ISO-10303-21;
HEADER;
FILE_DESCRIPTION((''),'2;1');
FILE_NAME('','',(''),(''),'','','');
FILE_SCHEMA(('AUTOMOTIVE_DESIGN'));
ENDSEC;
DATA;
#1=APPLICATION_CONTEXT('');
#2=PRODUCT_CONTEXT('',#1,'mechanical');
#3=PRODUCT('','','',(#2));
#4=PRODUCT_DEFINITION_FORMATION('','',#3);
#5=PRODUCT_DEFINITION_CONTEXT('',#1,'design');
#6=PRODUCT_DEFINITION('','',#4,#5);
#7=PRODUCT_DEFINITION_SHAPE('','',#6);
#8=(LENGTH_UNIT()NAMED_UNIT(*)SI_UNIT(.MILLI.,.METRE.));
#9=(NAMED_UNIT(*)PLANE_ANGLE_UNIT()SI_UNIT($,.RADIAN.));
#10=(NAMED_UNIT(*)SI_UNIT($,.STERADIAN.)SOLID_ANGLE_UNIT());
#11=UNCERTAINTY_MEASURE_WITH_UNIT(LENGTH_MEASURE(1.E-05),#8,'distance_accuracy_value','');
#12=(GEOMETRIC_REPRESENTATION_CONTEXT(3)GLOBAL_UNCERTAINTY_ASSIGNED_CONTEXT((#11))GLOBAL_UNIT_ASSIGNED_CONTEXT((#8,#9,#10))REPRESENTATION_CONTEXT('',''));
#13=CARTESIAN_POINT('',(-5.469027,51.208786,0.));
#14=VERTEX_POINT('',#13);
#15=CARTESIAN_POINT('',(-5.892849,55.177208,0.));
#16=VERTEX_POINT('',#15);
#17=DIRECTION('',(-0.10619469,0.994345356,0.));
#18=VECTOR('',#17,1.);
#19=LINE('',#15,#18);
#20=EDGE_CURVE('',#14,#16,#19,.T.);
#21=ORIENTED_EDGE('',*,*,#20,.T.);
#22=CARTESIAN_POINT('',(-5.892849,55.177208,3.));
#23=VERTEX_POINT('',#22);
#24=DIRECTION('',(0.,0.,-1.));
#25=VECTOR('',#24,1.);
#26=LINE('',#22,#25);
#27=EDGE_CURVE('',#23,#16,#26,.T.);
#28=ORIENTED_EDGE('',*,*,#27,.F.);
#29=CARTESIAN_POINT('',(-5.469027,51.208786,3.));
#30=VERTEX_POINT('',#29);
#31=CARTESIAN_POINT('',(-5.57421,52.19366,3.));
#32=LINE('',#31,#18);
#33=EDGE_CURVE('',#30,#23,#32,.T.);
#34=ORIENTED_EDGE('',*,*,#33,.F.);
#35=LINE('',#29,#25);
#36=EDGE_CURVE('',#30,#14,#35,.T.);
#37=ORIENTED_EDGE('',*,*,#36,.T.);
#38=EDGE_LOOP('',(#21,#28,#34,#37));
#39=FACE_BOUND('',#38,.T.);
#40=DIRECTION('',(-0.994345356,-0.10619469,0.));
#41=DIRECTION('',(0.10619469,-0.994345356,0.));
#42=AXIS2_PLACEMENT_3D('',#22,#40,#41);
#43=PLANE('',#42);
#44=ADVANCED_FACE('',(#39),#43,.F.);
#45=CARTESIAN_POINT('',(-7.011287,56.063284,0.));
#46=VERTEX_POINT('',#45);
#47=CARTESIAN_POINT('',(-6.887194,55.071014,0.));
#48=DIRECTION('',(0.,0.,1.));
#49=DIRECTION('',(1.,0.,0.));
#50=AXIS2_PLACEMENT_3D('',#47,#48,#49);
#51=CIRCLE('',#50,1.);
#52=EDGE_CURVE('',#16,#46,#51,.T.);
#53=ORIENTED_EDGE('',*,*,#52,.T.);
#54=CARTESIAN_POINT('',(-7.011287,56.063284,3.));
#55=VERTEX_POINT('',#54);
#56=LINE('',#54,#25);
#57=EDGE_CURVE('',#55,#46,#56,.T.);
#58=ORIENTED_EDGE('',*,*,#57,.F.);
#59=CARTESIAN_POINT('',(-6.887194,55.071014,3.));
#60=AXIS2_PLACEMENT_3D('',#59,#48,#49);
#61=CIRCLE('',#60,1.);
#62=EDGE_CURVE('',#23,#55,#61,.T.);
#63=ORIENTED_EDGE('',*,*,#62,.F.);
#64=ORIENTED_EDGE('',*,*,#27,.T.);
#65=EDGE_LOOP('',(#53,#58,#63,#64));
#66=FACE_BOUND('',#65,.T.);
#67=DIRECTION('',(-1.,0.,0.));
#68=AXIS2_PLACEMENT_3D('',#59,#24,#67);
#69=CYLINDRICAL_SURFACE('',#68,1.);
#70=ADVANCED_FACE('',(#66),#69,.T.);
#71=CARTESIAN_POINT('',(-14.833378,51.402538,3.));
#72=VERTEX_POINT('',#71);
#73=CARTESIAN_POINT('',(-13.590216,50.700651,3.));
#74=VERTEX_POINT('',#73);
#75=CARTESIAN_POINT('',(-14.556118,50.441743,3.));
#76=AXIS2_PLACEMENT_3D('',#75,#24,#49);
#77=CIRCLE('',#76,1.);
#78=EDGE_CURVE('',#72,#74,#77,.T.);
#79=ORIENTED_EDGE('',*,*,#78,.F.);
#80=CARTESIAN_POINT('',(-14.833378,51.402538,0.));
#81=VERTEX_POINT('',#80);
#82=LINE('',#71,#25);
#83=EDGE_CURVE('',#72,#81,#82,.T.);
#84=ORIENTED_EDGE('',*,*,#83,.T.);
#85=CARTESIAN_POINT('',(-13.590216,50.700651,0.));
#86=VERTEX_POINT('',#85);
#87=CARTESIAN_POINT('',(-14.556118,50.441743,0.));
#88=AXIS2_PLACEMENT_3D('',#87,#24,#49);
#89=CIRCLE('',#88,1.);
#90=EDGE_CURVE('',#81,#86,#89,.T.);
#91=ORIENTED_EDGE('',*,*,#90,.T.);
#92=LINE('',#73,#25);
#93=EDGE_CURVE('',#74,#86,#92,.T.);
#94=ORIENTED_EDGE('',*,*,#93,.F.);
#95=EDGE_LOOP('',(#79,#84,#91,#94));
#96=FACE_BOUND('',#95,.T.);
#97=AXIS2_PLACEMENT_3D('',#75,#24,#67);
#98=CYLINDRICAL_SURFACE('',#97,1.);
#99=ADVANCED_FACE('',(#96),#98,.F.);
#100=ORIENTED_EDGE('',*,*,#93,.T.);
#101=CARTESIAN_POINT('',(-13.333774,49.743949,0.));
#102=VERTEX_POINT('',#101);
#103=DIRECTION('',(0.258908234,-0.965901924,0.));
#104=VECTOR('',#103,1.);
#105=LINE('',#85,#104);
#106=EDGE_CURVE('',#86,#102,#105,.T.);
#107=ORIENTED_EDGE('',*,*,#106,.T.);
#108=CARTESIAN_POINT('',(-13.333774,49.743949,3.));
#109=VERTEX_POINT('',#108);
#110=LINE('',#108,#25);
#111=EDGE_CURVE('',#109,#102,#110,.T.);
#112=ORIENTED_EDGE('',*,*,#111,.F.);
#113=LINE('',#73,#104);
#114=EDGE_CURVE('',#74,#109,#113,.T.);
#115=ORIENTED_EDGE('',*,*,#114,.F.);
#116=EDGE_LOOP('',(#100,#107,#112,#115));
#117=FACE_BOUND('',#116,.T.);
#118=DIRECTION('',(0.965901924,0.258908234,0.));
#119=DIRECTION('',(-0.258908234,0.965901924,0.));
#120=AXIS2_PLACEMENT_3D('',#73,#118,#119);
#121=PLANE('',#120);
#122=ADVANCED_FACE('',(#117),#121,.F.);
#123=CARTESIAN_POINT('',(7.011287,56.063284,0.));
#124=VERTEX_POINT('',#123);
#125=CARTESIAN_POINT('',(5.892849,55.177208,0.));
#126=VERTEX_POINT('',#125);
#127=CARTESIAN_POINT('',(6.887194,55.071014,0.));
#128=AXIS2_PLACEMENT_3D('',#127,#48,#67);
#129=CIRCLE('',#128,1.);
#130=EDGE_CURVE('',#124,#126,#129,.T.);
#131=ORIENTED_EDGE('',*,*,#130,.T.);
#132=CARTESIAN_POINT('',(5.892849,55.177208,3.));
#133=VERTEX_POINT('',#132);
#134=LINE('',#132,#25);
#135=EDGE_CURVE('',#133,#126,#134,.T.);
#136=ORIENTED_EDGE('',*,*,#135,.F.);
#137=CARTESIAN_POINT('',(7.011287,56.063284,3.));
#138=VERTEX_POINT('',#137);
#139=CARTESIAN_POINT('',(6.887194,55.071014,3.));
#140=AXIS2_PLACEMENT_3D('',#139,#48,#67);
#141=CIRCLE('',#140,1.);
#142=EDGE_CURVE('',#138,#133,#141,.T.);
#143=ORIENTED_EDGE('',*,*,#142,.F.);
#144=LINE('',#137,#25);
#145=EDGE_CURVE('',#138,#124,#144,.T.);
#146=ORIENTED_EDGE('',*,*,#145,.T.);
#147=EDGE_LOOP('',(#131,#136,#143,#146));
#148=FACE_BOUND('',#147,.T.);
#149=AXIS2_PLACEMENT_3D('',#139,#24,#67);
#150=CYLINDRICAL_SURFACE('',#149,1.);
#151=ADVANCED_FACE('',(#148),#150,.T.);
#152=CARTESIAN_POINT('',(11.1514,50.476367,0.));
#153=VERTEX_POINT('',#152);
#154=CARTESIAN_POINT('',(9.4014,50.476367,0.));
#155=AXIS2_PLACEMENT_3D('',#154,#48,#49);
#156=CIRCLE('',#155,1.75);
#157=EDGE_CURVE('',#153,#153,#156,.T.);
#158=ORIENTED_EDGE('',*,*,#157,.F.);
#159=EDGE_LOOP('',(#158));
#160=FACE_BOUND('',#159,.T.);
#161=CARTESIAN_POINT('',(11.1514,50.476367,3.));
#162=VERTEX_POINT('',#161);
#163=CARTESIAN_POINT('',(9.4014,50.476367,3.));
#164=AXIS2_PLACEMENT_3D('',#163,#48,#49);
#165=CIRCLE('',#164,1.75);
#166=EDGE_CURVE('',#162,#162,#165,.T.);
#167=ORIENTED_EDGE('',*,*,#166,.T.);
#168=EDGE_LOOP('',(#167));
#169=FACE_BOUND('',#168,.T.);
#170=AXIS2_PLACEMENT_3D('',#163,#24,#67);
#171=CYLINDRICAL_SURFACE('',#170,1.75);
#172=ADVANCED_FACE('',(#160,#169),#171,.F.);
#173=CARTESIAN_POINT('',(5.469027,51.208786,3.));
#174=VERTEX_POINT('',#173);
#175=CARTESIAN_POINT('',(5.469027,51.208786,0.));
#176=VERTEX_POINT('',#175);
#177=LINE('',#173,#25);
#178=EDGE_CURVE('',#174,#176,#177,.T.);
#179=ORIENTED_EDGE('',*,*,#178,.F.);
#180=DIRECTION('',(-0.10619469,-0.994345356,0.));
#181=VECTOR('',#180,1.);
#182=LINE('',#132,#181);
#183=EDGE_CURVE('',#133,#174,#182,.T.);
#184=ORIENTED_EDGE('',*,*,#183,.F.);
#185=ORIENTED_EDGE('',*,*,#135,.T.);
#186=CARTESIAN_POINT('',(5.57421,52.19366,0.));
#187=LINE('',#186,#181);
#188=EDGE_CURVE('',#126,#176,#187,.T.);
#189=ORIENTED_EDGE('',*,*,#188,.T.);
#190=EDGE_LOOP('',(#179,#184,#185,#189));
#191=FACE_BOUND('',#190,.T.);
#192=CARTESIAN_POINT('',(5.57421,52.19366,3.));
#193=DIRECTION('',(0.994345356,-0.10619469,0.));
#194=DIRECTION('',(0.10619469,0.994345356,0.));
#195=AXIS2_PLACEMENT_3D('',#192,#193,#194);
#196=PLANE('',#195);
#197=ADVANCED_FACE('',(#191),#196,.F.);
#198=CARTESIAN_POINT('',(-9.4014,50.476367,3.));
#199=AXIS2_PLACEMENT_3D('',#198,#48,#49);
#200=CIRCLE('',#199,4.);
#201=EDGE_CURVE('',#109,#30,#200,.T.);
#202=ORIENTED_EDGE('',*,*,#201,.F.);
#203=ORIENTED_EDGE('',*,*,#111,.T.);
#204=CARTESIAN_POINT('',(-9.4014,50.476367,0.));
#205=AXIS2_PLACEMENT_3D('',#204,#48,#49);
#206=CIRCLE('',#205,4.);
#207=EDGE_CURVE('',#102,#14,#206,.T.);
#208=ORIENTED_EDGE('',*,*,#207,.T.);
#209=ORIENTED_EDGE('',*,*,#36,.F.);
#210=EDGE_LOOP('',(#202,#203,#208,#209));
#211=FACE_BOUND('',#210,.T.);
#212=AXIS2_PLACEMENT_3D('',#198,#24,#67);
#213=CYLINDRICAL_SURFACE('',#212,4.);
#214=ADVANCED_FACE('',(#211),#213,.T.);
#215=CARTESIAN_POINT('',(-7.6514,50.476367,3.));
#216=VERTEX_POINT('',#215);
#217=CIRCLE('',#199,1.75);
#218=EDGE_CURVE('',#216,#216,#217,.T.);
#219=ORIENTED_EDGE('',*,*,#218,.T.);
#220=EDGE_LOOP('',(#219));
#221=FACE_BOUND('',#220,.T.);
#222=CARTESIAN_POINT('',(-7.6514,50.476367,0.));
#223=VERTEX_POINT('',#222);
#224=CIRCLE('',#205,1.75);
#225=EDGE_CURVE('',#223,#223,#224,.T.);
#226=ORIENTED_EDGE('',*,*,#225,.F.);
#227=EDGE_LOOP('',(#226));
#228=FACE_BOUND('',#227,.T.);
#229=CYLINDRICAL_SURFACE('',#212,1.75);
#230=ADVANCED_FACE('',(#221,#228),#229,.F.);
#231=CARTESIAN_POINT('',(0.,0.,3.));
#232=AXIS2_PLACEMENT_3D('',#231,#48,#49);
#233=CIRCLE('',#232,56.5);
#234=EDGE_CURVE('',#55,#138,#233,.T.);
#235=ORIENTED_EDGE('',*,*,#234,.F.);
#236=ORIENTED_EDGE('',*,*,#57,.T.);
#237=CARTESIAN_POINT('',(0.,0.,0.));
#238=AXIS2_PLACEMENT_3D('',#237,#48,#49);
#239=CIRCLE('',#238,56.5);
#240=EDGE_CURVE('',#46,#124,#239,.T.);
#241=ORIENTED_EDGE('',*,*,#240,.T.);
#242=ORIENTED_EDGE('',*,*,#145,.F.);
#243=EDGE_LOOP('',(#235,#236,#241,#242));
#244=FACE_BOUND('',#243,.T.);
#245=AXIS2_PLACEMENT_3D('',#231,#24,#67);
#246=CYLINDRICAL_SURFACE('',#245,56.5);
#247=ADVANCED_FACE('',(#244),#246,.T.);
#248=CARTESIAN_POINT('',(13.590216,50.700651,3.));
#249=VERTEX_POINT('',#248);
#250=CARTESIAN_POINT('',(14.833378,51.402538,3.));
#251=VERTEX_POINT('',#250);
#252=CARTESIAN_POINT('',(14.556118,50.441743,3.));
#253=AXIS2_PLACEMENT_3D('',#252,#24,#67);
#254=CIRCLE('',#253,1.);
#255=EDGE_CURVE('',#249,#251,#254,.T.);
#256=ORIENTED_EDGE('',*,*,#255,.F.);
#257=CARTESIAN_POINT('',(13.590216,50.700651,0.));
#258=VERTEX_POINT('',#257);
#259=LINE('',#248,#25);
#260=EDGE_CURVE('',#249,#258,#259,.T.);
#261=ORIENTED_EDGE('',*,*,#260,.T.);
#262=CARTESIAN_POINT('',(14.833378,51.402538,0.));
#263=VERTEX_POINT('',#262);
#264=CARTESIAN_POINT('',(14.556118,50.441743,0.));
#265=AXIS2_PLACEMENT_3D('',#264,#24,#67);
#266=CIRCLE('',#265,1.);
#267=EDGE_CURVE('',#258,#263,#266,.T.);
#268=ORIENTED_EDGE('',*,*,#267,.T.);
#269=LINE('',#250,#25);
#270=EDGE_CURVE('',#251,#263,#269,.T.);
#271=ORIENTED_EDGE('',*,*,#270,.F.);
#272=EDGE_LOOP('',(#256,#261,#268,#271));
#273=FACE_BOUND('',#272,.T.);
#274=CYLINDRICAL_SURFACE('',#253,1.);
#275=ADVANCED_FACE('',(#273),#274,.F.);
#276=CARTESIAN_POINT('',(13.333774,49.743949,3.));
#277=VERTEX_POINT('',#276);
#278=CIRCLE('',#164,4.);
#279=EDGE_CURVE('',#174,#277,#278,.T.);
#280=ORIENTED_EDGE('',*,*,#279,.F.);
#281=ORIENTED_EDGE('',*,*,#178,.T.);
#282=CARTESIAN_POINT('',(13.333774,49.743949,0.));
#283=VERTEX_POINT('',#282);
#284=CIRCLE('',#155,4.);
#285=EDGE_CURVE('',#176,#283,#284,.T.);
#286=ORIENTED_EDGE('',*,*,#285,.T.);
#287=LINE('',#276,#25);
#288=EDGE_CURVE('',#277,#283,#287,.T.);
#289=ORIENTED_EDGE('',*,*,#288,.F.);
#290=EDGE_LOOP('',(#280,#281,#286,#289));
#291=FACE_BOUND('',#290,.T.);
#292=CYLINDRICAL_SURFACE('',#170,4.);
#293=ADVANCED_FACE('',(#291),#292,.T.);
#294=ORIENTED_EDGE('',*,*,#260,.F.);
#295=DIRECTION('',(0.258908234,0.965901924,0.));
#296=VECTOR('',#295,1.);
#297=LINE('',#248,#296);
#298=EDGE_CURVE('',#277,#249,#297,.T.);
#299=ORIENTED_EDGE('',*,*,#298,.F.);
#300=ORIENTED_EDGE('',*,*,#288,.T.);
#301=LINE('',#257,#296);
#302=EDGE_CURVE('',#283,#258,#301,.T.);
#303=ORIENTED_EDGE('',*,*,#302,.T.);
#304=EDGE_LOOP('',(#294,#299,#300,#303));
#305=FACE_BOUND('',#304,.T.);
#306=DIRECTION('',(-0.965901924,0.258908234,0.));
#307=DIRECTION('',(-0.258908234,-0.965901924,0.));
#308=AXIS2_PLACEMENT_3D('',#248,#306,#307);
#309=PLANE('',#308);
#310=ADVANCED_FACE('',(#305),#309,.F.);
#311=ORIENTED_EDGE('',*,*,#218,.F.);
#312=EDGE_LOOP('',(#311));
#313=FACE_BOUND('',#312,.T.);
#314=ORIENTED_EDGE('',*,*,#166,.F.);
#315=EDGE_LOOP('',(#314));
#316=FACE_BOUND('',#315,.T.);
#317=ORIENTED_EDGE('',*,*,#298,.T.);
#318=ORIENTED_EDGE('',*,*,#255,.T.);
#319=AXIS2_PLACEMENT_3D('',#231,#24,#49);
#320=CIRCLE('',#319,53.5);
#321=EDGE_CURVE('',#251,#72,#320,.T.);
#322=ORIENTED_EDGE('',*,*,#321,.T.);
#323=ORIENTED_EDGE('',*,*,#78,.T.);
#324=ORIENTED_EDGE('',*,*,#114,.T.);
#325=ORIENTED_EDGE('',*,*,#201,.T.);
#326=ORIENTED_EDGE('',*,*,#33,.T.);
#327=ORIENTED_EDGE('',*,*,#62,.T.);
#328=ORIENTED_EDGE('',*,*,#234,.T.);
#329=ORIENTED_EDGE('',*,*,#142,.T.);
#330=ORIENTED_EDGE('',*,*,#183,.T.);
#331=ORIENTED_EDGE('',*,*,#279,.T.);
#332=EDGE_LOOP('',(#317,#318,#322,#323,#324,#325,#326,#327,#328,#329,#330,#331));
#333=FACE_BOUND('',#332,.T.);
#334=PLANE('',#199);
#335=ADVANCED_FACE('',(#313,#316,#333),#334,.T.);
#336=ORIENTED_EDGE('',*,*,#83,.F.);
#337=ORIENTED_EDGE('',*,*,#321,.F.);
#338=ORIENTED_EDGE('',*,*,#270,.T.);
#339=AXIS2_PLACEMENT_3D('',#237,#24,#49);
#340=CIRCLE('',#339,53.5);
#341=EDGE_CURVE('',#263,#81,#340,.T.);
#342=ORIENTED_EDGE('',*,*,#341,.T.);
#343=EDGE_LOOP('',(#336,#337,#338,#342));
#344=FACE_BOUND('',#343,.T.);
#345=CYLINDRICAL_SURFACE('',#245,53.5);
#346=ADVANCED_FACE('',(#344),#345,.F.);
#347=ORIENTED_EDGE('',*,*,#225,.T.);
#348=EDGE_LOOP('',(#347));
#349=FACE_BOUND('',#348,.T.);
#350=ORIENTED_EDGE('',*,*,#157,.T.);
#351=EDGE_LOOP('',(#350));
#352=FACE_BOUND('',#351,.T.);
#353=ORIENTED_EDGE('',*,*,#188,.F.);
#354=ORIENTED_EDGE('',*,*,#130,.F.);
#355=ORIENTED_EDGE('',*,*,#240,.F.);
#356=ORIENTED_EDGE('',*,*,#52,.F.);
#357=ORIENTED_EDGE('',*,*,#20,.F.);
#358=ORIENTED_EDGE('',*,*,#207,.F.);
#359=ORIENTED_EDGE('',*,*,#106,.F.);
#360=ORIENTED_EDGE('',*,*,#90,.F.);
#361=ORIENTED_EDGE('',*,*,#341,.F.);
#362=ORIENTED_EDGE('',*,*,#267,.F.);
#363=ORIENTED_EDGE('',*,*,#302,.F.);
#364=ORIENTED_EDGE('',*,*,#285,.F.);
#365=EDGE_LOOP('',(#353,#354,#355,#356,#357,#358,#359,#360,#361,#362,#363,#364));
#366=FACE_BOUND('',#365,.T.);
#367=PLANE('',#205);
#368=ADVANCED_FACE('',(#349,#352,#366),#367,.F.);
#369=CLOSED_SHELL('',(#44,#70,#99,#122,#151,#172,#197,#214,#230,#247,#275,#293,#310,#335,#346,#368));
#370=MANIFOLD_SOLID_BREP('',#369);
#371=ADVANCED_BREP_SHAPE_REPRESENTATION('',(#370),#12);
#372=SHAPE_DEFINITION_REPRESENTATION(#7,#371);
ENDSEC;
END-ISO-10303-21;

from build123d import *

# Parameters (mm, degrees)
SCHIZZO1_R                   = 1.75
ESTRUSIONE_ESTRUSIONE1_DEPTH = 3


with BuildPart() as part:
    # Schizzo1 → Estrusione-Estrusione1 (new body)
    with BuildSketch(Plane.XY):
        with BuildLine():
            Line((-5.892848523, 55.177208486), (-5.574209769, 52.193660395))
            Line((-5.574209769, 52.193660395), (-5.469026549, 51.208785854))
            ThreePointArc((-5.469026549, 51.208785854), (-8.668981909, 46.543993716), (-13.333774047, 49.743949076))
            Line((-13.333774047, 49.743949076), (-13.590216265, 50.700651099))
            ThreePointArc((-13.590216265, 50.700651099), (-14.064469506, 51.31253651), (-14.833377583, 51.402537967))
            ThreePointArc((-14.833377583, 51.402537967), (0, -53.5), (14.833377583, 51.402537967))
            ThreePointArc((14.833377583, 51.402537967), (14.064469506, 51.31253651), (13.590216265, 50.700651099))
            Line((13.590216265, 50.700651099), (13.333774047, 49.743949076))
            ThreePointArc((13.333774047, 49.743949076), (8.668981909, 46.543993716), (5.469026549, 51.208785854))
            Line((5.469026549, 51.208785854), (5.574209769, 52.193660395))
            Line((5.574209769, 52.193660395), (5.892848523, 55.177208486))
            ThreePointArc((5.892848523, 55.177208486), (6.266213098, 55.854839586), (7.011287463, 56.063284314))
            ThreePointArc((7.011287463, 56.063284314), (0, -56.5), (-7.011287463, 56.063284314))
            ThreePointArc((-7.011287463, 56.063284314), (-6.266213098, 55.854839586), (-5.892848523, 55.177208486))
        make_face()
        with Locations((-9.401400298, 50.476367465)):
            Circle(SCHIZZO1_R, mode=Mode.SUBTRACT)
        with Locations((9.401400298, 50.476367465)):
            Circle(SCHIZZO1_R, mode=Mode.SUBTRACT)
    extrude(amount=ESTRUSIONE_ESTRUSIONE1_DEPTH)


solid = part.part
